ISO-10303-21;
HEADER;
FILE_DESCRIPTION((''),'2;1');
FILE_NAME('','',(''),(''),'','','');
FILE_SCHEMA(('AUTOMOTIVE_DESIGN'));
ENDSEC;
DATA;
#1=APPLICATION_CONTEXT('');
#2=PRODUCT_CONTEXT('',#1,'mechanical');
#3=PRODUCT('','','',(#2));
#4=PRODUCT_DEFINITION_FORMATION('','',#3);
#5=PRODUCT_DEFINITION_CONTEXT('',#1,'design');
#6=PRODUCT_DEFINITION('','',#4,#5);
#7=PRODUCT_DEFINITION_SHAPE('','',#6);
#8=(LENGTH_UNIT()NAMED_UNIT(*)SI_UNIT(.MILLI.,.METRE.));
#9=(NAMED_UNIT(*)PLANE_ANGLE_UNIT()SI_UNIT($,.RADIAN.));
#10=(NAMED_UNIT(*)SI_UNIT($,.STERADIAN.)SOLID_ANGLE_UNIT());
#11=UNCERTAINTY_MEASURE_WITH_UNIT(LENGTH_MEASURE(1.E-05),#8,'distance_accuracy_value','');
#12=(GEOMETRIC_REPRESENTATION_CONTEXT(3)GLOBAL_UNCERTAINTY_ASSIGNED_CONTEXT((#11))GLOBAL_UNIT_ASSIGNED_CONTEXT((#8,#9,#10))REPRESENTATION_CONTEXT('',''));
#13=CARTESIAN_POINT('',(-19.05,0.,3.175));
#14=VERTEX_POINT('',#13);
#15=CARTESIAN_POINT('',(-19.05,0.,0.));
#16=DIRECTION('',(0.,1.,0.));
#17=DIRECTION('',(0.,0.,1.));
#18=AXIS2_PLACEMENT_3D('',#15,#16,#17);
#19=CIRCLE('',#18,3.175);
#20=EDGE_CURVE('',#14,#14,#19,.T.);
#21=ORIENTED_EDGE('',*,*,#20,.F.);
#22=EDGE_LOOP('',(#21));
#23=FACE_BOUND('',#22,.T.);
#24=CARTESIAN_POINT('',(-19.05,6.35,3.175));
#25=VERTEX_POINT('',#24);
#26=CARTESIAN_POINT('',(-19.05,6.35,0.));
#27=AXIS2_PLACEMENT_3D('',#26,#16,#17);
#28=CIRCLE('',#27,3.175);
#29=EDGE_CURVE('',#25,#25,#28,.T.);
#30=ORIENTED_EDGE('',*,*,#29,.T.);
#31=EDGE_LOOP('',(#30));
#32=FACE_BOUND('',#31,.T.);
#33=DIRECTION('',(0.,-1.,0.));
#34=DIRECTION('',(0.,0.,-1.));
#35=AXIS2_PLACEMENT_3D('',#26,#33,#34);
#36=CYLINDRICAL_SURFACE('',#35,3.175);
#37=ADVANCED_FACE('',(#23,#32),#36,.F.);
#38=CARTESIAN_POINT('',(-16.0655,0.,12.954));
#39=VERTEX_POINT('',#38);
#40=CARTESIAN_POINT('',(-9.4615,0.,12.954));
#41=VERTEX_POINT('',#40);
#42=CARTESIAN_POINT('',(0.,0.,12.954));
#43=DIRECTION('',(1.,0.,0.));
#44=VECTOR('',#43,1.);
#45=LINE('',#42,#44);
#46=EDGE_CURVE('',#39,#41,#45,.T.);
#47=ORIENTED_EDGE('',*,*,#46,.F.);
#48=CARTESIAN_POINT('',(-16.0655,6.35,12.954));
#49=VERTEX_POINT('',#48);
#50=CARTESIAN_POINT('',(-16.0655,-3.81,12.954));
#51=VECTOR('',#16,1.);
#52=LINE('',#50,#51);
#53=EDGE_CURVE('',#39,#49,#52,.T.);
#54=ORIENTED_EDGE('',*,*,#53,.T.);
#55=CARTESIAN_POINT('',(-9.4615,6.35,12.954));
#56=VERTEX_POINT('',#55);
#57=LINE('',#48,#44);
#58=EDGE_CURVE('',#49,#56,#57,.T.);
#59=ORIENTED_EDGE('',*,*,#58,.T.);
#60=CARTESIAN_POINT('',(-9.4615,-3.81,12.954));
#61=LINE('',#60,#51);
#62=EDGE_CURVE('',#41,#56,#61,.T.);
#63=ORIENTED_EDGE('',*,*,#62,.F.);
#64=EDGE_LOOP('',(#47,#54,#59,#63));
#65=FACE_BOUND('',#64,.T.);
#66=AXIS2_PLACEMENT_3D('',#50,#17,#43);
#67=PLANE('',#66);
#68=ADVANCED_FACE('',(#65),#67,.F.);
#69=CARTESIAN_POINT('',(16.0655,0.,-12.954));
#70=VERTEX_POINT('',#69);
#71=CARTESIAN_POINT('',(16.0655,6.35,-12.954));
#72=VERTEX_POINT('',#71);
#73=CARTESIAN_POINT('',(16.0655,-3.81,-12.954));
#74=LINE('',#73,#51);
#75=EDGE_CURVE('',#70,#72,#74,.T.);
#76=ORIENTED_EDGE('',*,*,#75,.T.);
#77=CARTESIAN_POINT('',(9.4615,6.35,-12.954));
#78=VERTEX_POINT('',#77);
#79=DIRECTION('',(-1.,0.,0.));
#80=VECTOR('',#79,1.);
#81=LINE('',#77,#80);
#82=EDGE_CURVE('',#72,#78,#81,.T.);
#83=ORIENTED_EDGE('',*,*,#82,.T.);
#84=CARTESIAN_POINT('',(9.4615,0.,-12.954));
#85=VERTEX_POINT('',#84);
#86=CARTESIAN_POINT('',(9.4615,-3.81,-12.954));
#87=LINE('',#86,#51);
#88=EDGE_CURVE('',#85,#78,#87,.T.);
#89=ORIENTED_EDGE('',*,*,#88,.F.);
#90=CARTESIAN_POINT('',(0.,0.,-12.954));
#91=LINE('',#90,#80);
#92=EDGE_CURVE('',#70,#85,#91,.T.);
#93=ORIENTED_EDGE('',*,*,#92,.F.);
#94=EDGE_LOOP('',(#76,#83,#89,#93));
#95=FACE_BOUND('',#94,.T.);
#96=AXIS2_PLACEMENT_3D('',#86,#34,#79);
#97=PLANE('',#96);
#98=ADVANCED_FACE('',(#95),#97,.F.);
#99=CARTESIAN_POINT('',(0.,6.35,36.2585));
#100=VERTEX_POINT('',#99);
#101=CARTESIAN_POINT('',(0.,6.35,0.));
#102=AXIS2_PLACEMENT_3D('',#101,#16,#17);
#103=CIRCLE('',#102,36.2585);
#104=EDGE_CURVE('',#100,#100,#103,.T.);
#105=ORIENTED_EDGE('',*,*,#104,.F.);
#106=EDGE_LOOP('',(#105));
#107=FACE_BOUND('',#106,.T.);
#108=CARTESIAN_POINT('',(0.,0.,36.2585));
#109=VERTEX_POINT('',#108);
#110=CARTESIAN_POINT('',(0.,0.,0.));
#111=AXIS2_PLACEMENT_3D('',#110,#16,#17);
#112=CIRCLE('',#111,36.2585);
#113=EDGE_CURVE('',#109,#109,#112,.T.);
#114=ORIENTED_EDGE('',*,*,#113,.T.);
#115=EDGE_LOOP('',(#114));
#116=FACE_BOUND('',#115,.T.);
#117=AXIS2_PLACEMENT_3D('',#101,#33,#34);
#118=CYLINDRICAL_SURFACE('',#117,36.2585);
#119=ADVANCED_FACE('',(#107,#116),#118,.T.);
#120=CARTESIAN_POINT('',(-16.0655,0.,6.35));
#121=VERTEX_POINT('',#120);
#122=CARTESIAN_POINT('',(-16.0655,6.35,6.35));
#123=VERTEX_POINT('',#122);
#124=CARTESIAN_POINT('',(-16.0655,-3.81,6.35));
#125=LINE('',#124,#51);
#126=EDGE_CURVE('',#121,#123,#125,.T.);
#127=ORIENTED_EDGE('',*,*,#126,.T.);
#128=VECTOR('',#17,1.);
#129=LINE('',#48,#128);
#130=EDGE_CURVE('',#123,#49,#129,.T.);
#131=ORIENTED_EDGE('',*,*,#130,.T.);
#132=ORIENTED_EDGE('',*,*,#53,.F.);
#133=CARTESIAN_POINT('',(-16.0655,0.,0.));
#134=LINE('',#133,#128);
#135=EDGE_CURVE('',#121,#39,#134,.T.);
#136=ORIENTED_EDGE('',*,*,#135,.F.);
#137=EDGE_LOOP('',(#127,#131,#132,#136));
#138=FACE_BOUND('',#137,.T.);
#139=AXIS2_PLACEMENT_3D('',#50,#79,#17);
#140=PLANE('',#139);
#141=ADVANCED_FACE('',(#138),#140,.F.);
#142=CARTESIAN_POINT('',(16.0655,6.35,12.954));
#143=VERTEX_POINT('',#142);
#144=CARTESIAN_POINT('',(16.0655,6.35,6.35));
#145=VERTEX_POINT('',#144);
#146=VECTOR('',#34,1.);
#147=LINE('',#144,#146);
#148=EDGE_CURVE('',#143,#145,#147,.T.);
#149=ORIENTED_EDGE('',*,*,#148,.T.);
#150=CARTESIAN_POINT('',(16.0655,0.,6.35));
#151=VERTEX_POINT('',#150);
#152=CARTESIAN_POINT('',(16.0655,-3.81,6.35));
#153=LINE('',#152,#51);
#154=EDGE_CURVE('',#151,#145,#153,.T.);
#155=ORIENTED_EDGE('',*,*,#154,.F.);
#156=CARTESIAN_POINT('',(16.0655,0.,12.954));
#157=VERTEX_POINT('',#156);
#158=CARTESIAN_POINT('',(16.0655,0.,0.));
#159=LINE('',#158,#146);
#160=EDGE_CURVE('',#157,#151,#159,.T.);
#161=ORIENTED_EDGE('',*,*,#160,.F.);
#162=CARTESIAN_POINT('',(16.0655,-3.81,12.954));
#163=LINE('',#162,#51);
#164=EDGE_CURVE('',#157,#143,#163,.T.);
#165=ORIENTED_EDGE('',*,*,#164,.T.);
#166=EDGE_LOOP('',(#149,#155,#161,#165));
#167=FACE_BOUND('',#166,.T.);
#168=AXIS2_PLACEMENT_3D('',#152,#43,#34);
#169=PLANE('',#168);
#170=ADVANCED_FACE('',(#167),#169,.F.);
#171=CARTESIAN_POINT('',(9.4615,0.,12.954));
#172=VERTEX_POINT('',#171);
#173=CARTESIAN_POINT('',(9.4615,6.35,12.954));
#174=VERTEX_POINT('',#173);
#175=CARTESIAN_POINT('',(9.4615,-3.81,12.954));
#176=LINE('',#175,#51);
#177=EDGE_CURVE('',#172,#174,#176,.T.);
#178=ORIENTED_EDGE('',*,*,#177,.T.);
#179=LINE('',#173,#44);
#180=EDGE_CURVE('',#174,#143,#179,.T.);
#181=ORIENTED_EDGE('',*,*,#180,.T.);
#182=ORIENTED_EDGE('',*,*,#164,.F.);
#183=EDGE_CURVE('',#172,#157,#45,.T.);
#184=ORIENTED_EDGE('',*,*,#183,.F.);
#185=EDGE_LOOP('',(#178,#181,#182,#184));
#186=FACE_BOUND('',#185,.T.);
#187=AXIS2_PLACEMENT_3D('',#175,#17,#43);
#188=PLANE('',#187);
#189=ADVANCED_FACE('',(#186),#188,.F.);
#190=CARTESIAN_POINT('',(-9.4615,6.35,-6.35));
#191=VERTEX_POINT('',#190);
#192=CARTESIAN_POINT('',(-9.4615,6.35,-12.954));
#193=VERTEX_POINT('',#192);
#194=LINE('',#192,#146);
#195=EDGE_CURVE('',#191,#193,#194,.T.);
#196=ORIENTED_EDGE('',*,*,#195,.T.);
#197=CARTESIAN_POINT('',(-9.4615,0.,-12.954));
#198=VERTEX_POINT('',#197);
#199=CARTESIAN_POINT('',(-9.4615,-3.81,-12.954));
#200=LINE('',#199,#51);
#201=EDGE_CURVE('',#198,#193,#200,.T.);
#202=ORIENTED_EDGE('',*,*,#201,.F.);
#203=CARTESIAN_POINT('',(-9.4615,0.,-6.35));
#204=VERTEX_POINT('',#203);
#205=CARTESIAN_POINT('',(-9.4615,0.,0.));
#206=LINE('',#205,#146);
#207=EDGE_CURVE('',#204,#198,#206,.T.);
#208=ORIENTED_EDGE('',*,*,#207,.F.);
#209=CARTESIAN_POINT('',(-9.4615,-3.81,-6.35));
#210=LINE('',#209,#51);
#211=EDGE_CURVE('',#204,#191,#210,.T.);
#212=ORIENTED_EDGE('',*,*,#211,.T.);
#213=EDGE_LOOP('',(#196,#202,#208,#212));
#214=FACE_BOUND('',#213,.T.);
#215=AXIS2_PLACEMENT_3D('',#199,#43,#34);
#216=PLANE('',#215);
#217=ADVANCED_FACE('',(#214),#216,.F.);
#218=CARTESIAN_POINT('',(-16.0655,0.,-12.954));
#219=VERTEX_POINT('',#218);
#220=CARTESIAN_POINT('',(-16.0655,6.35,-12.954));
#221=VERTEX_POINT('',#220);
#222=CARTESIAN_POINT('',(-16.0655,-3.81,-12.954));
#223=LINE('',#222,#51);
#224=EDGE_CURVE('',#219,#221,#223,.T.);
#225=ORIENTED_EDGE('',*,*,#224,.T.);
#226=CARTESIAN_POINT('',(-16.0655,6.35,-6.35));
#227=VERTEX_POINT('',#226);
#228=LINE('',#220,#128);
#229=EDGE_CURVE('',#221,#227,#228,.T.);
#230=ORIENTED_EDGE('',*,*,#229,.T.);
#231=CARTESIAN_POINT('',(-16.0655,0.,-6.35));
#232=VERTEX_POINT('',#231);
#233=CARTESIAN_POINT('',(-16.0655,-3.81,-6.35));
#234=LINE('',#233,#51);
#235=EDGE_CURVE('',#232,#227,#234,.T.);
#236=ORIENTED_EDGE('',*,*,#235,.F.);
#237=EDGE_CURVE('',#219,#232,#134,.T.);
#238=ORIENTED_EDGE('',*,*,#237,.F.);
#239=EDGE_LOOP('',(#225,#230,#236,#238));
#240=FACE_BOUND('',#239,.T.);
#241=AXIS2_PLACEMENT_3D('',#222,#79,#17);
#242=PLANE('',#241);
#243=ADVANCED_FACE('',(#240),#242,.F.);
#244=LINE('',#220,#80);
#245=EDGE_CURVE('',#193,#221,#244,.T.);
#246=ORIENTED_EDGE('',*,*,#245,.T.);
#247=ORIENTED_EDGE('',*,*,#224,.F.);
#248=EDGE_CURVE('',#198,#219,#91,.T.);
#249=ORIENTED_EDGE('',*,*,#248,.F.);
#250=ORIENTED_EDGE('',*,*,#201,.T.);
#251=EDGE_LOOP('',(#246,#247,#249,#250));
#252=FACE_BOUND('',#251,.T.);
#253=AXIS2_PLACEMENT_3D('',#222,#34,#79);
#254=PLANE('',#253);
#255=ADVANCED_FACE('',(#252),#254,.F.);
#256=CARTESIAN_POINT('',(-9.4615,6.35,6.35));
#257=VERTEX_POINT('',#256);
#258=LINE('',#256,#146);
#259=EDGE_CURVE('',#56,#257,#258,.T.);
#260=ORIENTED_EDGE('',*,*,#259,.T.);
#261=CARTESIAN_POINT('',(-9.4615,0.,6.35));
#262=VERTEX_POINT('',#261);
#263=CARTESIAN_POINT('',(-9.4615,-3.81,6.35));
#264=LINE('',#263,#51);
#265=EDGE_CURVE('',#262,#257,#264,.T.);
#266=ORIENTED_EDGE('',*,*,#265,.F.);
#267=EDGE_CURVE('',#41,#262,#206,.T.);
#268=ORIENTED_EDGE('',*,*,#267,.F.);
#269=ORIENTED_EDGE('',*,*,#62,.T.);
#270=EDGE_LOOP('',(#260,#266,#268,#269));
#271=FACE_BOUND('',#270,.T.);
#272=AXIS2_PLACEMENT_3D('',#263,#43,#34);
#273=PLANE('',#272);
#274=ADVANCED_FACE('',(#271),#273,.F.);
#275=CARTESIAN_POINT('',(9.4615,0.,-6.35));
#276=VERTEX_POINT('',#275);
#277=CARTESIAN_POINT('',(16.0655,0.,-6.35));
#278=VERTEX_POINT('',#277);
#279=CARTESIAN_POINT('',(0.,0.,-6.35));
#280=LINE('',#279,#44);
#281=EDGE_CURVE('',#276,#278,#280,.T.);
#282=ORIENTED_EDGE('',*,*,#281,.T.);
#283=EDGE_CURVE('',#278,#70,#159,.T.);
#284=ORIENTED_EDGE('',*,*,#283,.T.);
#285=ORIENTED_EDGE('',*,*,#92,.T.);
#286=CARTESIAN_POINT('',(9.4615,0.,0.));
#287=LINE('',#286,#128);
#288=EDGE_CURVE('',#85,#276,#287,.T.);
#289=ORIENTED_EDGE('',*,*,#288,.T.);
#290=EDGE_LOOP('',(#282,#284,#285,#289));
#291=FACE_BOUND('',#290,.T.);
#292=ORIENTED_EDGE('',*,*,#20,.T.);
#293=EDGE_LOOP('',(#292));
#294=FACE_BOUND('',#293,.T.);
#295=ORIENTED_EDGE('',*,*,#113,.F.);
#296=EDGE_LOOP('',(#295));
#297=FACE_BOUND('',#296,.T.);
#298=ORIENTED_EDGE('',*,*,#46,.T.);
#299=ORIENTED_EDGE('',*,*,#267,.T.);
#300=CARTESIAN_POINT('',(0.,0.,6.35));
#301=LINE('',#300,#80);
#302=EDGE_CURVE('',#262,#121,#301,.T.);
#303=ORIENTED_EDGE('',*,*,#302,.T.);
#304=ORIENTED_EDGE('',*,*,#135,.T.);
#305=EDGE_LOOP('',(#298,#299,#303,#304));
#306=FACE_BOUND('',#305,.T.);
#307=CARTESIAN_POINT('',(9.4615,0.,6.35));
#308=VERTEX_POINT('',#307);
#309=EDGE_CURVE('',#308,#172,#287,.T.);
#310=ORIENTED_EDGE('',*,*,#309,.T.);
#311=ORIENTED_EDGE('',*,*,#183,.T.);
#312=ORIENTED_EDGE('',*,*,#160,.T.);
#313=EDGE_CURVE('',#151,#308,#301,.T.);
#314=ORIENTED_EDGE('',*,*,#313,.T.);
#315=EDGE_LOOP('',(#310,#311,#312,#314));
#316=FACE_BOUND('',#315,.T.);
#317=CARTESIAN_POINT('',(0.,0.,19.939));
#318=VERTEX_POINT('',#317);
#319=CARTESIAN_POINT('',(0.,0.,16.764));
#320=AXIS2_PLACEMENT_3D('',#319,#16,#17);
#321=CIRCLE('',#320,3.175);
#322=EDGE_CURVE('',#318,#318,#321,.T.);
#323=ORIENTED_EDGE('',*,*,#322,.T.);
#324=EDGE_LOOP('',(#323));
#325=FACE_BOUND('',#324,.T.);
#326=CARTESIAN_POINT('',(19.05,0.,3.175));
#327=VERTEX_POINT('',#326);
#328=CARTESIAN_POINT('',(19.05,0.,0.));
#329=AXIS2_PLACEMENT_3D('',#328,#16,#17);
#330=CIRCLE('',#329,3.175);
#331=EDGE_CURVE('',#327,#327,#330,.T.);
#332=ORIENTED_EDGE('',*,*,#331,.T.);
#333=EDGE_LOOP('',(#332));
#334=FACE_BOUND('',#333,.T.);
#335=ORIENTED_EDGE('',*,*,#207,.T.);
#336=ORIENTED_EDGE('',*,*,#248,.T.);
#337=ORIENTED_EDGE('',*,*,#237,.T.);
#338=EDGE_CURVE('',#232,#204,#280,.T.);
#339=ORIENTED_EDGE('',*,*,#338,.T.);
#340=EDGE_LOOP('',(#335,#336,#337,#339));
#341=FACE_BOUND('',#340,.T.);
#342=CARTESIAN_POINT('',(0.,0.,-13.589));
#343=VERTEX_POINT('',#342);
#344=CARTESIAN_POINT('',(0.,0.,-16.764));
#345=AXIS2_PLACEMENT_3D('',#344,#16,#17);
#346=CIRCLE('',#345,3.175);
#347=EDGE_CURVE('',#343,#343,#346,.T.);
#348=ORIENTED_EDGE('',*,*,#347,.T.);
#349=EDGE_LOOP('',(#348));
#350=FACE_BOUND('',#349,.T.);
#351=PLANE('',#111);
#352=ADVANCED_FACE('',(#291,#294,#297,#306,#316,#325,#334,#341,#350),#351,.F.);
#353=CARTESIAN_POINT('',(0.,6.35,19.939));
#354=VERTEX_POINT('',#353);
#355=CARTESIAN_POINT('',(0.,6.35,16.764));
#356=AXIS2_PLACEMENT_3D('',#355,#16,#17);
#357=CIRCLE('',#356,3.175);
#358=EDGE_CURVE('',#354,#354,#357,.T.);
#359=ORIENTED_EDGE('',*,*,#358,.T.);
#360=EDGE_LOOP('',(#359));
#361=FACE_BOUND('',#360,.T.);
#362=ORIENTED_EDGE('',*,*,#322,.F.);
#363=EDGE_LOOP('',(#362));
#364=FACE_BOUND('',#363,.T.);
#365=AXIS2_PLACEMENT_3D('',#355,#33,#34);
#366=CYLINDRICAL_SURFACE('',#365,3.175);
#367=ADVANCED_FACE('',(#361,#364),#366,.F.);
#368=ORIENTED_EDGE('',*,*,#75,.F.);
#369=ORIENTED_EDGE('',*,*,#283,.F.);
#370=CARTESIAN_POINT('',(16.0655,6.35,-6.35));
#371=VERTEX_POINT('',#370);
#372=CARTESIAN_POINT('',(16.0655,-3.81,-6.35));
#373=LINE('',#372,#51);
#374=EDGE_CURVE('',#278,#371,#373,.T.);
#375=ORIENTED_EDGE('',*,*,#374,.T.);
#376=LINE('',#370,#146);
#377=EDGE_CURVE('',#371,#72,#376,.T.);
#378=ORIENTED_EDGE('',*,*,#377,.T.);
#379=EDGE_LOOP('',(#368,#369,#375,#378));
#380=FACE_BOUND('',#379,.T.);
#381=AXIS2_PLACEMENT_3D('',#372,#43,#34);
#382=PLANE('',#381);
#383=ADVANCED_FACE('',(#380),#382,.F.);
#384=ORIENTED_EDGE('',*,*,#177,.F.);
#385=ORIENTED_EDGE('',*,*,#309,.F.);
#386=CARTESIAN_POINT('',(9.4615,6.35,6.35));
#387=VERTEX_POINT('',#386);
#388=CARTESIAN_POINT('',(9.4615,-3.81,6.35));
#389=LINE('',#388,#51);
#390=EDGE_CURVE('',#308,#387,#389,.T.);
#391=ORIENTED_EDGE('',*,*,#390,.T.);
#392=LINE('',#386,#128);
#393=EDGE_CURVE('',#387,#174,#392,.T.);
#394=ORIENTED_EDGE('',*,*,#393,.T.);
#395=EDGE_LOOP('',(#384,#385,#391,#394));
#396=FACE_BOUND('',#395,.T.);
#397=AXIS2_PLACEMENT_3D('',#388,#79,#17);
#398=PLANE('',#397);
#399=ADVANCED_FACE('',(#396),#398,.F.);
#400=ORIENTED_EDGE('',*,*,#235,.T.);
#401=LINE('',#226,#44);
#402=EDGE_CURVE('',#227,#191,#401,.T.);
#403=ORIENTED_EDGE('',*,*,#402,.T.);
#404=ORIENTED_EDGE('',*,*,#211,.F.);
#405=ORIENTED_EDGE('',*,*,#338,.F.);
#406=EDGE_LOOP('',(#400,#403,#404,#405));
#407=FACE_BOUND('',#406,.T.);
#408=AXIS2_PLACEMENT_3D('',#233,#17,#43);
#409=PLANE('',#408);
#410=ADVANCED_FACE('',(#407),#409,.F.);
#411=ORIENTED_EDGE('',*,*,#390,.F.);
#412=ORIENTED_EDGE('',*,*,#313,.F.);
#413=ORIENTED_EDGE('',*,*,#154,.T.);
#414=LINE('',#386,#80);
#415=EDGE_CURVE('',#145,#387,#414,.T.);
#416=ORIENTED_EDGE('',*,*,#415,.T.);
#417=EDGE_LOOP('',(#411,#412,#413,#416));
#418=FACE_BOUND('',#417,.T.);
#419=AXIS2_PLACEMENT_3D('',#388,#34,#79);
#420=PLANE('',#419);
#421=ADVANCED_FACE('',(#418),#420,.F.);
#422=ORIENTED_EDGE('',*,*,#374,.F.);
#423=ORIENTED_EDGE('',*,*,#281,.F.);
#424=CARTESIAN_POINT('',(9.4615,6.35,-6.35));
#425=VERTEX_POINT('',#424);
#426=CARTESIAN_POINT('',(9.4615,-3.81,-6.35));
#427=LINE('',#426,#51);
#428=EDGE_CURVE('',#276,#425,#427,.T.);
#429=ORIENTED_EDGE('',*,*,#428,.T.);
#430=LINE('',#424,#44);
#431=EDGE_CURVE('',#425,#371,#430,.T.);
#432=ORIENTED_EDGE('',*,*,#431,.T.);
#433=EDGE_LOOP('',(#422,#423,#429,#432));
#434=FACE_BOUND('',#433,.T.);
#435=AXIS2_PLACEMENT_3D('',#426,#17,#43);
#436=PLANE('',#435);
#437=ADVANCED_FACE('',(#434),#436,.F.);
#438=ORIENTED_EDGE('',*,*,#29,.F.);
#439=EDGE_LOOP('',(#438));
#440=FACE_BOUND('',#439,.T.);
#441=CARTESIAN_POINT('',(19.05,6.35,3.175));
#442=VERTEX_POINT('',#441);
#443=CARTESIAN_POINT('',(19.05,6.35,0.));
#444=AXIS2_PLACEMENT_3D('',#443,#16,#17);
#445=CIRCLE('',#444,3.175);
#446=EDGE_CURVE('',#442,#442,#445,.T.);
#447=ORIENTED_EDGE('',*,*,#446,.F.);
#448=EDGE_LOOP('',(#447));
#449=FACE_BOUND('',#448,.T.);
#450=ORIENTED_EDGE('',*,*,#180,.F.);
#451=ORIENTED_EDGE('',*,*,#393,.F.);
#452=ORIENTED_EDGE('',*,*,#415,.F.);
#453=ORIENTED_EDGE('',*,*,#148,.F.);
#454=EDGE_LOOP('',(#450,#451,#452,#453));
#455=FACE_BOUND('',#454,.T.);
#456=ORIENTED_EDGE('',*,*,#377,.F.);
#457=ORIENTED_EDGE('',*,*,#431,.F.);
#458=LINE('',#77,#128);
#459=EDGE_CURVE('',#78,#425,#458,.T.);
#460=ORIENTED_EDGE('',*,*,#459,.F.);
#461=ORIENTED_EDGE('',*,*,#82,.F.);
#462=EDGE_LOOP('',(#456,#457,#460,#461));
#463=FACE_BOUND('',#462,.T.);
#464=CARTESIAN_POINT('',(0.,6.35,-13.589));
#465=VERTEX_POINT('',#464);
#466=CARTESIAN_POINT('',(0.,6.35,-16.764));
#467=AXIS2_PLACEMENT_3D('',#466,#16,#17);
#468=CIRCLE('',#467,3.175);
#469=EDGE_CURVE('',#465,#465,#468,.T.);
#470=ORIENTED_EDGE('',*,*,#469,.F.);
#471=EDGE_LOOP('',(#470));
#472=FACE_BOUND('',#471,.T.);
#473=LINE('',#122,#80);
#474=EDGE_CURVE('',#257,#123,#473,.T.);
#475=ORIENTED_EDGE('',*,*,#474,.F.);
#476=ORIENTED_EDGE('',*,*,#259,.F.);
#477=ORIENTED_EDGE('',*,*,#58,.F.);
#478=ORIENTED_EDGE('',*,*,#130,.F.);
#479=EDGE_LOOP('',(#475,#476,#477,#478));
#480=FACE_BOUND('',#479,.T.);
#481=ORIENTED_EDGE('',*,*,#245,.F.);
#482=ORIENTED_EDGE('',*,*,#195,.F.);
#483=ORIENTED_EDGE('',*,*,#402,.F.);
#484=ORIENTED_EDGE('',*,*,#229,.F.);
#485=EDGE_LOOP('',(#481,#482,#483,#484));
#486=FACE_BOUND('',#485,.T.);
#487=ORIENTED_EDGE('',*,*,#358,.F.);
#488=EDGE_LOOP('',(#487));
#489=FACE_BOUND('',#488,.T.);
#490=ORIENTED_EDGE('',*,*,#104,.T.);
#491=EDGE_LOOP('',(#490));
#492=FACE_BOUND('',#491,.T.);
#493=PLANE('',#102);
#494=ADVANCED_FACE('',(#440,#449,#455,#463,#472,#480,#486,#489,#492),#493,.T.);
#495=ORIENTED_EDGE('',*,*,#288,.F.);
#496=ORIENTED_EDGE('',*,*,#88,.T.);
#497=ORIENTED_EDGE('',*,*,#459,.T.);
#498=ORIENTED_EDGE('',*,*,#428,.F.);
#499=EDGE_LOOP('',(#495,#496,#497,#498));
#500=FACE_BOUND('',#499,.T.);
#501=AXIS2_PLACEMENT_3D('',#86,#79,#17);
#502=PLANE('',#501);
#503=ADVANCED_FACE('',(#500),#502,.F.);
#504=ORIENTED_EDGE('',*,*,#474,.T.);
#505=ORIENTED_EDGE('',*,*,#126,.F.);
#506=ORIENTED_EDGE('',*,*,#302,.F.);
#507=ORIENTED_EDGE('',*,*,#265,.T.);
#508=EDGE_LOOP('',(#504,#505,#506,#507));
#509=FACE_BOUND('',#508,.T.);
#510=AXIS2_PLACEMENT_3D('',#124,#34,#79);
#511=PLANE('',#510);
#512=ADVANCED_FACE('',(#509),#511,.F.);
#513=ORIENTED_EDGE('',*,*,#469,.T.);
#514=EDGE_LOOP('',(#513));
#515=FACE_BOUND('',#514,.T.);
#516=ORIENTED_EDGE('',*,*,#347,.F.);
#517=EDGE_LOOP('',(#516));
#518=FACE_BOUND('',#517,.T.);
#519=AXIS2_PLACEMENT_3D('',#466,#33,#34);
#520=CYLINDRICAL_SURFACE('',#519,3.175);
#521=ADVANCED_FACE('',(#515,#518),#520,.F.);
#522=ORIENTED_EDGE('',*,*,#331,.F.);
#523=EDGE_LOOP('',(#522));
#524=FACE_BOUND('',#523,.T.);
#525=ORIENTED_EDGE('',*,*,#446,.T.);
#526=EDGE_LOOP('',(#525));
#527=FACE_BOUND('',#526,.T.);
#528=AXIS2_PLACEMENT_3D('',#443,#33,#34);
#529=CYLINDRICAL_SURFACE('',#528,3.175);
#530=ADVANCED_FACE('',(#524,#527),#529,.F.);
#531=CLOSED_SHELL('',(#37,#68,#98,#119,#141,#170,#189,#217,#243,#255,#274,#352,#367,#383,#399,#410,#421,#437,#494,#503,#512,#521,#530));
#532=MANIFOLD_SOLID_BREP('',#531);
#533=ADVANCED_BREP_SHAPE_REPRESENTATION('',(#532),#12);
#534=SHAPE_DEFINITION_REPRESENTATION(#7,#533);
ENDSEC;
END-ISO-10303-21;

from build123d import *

# Parameters (mm, degrees)
SKETCH1_R           = 36.2585
SKETCH1_R_2         = 3.175
BOSS_EXTRUDE1_DEPTH = 6.35
SKETCH2_W           = 6.604
SKETCH2_H           = 6.604
CUT_EXTRUDE1_DEPTH  = 10.16


with BuildPart() as part:
    # Sketch1 → Boss-Extrude1 (new body)
    with BuildSketch(Plane(origin=(0, 0, 0), x_dir=(1, 0, 0), z_dir=(0, 1, 0))):
        with Locations(Location((0, 0, 0), (0, 0, 270))):
            Circle(SKETCH1_R)
        with Locations(Location((0, 16.764, 0), (0, 0, 270))):
            Circle(SKETCH1_R_2, mode=Mode.SUBTRACT)
        with Locations(Location((0, -16.764, 0), (0, 0, 270))):
            Circle(SKETCH1_R_2, mode=Mode.SUBTRACT)
        with Locations(Location((-19.05, 0, 0), (0, 0, 270))):
            Circle(SKETCH1_R_2, mode=Mode.SUBTRACT)
        with Locations(Location((19.05, 0, 0), (0, 0, 270))):
            Circle(SKETCH1_R_2, mode=Mode.SUBTRACT)
    extrude(amount=BOSS_EXTRUDE1_DEPTH)

    # Sketch2 → Cut-Extrude1 (cut)
    with BuildSketch(Plane(origin=(0, 6.35, 0), x_dir=(1, 0, 0), z_dir=(0, 1, 0))):
        with Locations((-12.7635, 9.652)):
            Rectangle(SKETCH2_W, SKETCH2_H)
        with Locations((-12.7635, -9.652)):
            Rectangle(SKETCH2_W, SKETCH2_H)
        with Locations((12.7635, 9.652)):
            Rectangle(SKETCH2_W, SKETCH2_H)
        with Locations((12.7635, -9.652)):
            Rectangle(SKETCH2_W, SKETCH2_H)
    extrude(amount=-CUT_EXTRUDE1_DEPTH, mode=Mode.SUBTRACT)


solid = part.part
